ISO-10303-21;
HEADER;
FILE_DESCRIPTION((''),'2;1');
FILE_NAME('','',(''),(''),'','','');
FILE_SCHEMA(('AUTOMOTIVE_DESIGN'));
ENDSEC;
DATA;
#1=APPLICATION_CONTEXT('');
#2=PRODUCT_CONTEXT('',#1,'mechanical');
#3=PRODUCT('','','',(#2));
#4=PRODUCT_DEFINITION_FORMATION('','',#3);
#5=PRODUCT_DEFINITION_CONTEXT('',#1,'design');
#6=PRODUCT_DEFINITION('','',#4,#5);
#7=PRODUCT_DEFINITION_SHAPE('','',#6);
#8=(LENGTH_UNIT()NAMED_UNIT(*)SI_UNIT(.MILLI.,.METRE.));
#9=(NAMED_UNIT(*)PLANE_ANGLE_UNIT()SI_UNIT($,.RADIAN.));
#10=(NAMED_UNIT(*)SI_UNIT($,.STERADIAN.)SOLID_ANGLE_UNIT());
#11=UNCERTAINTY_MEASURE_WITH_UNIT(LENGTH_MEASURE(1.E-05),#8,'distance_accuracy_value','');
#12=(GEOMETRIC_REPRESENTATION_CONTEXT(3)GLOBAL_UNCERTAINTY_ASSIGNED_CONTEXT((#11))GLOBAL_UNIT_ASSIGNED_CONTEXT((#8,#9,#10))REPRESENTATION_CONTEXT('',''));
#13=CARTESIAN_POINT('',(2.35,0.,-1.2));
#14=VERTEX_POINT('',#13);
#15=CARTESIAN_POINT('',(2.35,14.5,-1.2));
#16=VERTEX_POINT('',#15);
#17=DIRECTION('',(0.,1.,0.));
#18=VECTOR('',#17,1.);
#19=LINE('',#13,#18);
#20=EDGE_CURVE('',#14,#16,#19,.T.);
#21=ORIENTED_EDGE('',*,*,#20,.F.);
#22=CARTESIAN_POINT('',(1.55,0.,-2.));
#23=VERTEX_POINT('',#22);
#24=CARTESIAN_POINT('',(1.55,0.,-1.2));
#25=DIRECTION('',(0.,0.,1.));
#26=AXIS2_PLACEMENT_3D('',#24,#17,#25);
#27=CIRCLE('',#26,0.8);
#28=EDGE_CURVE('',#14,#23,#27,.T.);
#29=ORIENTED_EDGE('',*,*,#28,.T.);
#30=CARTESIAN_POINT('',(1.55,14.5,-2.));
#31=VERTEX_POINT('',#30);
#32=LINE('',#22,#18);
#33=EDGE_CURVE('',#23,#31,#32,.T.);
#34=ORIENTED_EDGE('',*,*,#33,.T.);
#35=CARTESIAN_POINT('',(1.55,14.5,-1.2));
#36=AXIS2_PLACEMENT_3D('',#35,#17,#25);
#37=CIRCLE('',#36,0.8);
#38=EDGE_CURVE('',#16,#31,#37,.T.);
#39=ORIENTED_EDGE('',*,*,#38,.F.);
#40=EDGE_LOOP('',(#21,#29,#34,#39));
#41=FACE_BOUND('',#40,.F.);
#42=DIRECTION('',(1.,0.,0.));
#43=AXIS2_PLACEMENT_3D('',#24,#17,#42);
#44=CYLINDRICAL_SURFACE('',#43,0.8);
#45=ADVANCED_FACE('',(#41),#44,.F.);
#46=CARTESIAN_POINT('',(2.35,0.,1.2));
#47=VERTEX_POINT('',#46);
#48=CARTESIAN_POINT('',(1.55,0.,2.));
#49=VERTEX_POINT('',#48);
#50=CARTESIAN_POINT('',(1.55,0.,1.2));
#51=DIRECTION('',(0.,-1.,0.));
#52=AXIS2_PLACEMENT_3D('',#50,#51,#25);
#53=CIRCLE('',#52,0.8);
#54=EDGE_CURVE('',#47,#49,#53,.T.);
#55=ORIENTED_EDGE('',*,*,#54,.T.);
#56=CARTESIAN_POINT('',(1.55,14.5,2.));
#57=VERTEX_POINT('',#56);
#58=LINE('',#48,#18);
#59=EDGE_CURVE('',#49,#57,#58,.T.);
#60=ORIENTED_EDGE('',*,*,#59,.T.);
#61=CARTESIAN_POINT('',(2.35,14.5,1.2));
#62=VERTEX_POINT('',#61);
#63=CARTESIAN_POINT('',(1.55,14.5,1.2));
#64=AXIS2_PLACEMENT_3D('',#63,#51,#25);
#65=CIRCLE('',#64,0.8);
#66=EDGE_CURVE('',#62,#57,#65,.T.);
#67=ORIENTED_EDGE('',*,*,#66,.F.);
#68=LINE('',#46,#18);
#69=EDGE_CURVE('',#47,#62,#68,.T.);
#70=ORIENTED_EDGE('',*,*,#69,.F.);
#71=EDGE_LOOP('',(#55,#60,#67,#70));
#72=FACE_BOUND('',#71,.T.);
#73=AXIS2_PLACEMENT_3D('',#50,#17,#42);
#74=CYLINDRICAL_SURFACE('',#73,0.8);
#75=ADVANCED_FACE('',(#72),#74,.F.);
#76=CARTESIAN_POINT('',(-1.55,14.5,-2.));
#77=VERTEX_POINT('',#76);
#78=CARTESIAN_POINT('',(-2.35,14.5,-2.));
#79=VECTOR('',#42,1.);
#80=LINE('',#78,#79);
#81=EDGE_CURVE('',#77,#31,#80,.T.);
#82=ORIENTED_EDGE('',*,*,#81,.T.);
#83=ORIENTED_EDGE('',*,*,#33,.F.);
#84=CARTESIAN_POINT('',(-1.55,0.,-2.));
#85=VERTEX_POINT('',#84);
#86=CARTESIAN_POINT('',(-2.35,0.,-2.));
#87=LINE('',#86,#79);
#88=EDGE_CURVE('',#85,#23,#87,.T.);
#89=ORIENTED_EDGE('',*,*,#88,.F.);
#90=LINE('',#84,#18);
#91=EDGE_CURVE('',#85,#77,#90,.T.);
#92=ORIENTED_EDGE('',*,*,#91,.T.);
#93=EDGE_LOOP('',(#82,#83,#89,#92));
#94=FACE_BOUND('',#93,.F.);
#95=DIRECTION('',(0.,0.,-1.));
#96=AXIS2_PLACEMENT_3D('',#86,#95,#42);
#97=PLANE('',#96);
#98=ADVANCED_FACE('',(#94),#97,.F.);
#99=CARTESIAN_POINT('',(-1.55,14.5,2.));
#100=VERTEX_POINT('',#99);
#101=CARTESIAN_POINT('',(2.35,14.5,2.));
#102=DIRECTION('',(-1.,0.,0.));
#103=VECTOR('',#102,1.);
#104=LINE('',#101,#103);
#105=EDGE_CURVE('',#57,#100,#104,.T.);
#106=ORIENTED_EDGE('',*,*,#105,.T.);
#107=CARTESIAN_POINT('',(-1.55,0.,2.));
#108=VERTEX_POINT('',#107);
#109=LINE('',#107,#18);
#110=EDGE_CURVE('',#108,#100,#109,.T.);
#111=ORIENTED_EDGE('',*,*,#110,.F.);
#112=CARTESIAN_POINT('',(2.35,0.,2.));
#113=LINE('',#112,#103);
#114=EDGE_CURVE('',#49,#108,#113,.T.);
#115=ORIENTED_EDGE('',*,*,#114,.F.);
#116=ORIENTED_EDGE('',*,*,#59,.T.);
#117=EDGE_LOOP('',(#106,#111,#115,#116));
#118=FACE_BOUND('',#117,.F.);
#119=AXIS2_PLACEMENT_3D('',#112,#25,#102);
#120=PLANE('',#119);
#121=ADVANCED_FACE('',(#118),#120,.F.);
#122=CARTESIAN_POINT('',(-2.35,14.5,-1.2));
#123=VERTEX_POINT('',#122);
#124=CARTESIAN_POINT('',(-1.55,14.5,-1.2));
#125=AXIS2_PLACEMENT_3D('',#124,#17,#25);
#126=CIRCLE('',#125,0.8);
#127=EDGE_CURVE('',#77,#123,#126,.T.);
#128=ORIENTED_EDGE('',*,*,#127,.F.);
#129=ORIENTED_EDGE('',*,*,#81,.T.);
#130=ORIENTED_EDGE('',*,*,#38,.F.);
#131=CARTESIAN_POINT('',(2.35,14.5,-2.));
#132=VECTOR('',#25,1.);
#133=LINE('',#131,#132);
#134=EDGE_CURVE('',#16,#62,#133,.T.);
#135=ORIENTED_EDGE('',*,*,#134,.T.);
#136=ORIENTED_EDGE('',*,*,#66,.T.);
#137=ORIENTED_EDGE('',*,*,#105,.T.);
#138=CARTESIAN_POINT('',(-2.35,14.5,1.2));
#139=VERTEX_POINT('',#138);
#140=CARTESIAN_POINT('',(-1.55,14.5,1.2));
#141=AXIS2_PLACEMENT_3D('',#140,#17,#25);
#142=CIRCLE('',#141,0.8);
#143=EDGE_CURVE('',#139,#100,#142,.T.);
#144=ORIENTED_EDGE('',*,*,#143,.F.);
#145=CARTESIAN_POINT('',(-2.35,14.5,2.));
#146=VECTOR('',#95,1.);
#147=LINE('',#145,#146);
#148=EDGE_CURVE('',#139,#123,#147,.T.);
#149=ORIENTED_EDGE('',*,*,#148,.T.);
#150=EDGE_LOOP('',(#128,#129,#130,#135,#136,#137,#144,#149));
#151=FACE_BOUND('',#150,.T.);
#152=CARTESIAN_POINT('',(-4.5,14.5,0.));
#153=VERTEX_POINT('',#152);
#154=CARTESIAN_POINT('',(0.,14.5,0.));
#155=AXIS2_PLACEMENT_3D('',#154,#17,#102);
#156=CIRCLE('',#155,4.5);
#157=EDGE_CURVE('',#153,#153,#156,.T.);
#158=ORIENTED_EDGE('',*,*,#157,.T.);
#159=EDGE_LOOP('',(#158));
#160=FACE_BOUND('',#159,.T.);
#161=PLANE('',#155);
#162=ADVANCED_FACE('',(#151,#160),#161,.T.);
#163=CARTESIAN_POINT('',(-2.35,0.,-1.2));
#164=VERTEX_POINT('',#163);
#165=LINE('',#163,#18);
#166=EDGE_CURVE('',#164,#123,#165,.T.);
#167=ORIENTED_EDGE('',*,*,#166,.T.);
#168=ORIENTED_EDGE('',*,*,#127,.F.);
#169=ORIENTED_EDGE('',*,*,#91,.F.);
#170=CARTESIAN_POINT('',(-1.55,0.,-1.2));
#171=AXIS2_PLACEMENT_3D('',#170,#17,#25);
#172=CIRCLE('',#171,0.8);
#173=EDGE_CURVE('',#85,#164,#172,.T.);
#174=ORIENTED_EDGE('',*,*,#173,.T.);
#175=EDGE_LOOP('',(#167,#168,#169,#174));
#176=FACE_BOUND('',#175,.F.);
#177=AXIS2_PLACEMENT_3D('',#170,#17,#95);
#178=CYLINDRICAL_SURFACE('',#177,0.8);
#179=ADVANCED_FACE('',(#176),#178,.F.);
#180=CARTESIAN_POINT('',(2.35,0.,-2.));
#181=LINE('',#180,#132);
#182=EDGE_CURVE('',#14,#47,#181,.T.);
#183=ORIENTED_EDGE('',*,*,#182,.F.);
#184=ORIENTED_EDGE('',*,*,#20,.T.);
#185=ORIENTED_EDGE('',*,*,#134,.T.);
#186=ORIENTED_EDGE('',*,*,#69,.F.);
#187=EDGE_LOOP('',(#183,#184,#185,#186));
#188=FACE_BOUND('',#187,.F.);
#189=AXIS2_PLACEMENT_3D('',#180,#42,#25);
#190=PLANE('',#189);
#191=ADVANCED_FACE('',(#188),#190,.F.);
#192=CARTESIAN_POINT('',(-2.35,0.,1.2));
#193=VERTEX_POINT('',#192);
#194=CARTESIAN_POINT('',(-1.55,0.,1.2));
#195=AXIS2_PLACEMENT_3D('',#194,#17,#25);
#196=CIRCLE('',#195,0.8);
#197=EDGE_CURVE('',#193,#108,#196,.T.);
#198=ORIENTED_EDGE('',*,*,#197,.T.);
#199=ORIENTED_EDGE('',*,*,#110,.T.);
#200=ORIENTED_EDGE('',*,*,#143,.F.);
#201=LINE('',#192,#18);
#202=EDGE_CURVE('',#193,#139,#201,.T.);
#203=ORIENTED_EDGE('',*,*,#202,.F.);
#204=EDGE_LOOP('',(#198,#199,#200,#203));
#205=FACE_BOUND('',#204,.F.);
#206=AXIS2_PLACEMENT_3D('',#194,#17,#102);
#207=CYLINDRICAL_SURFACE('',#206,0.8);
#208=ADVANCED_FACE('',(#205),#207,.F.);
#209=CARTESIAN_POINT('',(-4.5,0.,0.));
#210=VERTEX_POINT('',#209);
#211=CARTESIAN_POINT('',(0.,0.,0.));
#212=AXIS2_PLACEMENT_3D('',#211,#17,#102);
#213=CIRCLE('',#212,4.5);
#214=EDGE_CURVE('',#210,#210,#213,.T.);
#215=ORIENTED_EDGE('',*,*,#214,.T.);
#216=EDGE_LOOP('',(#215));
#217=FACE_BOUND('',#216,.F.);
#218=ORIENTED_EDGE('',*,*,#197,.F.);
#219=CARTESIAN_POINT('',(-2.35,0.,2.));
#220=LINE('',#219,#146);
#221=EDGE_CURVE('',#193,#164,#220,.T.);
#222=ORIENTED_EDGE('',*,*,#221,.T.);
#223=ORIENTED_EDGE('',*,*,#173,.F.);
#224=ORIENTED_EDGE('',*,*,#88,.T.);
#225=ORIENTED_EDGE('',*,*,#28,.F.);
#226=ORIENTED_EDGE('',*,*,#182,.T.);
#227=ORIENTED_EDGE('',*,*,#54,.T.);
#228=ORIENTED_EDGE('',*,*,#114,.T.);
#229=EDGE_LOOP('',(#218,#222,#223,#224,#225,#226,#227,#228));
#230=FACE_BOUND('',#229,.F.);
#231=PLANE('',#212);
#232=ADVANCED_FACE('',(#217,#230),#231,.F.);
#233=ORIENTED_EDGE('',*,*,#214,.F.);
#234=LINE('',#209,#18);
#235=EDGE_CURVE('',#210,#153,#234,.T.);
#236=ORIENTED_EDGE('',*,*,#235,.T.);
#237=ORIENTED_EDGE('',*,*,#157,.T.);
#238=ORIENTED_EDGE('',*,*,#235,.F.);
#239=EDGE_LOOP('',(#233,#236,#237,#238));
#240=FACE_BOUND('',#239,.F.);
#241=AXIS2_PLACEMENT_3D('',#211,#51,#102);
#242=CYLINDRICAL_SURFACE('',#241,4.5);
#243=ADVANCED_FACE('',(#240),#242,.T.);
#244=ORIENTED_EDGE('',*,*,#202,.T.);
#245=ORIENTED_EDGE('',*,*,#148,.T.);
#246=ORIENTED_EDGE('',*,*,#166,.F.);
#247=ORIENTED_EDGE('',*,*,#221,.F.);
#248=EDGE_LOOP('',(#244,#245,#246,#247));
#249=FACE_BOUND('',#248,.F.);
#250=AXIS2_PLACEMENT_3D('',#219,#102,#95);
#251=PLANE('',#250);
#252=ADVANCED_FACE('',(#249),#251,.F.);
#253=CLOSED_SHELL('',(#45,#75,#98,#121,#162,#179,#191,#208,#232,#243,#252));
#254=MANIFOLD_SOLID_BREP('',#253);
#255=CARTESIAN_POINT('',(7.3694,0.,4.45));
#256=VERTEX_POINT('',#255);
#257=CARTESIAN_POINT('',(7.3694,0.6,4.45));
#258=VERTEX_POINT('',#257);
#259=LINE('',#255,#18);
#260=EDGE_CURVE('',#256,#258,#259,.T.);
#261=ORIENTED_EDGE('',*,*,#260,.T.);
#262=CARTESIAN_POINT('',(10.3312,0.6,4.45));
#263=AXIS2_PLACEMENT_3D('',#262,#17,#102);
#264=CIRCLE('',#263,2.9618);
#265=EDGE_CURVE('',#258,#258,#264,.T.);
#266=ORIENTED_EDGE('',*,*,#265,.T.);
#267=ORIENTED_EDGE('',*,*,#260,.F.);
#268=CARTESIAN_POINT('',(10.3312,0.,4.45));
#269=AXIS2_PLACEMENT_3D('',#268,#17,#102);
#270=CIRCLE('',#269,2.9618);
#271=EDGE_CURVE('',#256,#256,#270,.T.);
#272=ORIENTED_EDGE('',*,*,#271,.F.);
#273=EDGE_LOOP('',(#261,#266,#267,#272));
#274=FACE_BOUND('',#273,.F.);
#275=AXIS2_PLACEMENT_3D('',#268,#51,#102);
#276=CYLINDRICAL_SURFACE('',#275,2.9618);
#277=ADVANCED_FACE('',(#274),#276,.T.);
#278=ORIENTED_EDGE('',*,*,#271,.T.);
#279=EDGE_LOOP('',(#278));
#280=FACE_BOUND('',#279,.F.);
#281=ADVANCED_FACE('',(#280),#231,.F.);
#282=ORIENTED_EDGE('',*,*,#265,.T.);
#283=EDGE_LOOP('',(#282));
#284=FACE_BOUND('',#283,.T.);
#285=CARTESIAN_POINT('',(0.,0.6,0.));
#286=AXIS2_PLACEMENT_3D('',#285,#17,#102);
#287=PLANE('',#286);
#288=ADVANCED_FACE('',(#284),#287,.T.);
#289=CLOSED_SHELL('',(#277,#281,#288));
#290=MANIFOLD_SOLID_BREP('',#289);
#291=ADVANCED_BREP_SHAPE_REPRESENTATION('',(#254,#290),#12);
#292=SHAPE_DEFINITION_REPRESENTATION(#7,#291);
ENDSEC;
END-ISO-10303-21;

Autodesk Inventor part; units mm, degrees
ref_plane "YZ Plane" through (0, 0, 0) normal (1, 0, 0) x (0, 1, 0)
ref_plane "XZ Plane" through (0, 0, 0) normal (0, 1, 0) x (-1, 0, 0)
ref_plane "XY Plane" through (0, 0, 0) normal (0, 0, 1) x (1, 0, 0)
sketch "Sketch1" plane through (0, 0, 0) normal (0, 1, 0) x (-1, 0, 0)
  line L0 (-2.35, 2) -> (2.35, 2)
  line L1 (2.35, 2) -> (2.35, -2)
  line L2 (2.35, -2) -> (-2.35, -2)
  line L3 (-2.35, -2) -> (-2.35, 2)
  circle A0 centre (0, 0) radius 4.5
  line L4 (82.35, 2) -> (87.15, 2)
  line L5 (87.15, 2) -> (87.15, -2.1)
  line L6 (87.15, -2.1) -> (82.35, -2.1)
  line L7 (82.35, -2.1) -> (82.35, 2)
  circle A1 centre (84.75, -0.05) radius 4.5
  line L8 (-2.35, -82.1) -> (2.65, -82.1)
  line L9 (2.65, -82.1) -> (2.65, -86.4)
  line L10 (2.65, -86.4) -> (-2.35, -86.4)
  line L11 (-2.35, -86.4) -> (-2.35, -82.1)
  circle A2 centre (0.15, -84.25) radius 4.5
  line L12 (82.25, -82.1) -> (87.15, -82.1)
  line L13 (87.15, -82.1) -> (87.15, -86.3)
  line L14 (87.15, -86.3) -> (82.25, -86.3)
  line L15 (82.25, -86.3) -> (82.25, -82.1)
  circle A3 centre (84.7, -84.2) radius 4.5
  line L16 (84.75, 2) -> (84.75, -2.1) construction
  line L17 (82.25, -84.2) -> (87.15, -84.2) construction
  line L18 (0.15, -82.1) -> (0.15, -86.4) construction
  circle A4 centre (-10.3312, 4.45) radius 2.9618
  point P0 (0, 2)
  point P1 (2.35, 0)
  point P2 (87.15, -0.05)
  point P3 (2.65, -84.25)
  point P4 (84.7, -82.1)
  dimension "d0" = 4.7
  dimension "d1" = 4
  dimension "d2" = 9
  dimension "d6" = 4.8
  dimension "d7" = 4.1
  dimension "d8" = 9
  dimension "d10" = 5
  dimension "d11" = 4.3
  dimension "d12" = 9
  dimension "d14" = 4.9
  dimension "d15" = 4.2
  dimension "d16" = 9
  dimension "d18" = 80
  dimension "d19" = 80
extrude "Extrusion1" add sketch "Sketch1" along normal blind 14.5 contours A0
fillet "Fillet1" radius 0.8 4 edges at (-2.35, 7.25, -2) (2.35, 7.25, -2) (2.35, 7.25, 2) (-2.35, 7.25, 2)
extrude "Extrusion2" add sketch "Sketch1" along normal blind 0.6 contours A4
equation "\"sp\" = 0.4"
equation "\"d9\" = 0.4"
equation "\"d13\" = 0.4"
equation "\"d17\" = 0.4"
properties part number "EncoderLDRTube"
